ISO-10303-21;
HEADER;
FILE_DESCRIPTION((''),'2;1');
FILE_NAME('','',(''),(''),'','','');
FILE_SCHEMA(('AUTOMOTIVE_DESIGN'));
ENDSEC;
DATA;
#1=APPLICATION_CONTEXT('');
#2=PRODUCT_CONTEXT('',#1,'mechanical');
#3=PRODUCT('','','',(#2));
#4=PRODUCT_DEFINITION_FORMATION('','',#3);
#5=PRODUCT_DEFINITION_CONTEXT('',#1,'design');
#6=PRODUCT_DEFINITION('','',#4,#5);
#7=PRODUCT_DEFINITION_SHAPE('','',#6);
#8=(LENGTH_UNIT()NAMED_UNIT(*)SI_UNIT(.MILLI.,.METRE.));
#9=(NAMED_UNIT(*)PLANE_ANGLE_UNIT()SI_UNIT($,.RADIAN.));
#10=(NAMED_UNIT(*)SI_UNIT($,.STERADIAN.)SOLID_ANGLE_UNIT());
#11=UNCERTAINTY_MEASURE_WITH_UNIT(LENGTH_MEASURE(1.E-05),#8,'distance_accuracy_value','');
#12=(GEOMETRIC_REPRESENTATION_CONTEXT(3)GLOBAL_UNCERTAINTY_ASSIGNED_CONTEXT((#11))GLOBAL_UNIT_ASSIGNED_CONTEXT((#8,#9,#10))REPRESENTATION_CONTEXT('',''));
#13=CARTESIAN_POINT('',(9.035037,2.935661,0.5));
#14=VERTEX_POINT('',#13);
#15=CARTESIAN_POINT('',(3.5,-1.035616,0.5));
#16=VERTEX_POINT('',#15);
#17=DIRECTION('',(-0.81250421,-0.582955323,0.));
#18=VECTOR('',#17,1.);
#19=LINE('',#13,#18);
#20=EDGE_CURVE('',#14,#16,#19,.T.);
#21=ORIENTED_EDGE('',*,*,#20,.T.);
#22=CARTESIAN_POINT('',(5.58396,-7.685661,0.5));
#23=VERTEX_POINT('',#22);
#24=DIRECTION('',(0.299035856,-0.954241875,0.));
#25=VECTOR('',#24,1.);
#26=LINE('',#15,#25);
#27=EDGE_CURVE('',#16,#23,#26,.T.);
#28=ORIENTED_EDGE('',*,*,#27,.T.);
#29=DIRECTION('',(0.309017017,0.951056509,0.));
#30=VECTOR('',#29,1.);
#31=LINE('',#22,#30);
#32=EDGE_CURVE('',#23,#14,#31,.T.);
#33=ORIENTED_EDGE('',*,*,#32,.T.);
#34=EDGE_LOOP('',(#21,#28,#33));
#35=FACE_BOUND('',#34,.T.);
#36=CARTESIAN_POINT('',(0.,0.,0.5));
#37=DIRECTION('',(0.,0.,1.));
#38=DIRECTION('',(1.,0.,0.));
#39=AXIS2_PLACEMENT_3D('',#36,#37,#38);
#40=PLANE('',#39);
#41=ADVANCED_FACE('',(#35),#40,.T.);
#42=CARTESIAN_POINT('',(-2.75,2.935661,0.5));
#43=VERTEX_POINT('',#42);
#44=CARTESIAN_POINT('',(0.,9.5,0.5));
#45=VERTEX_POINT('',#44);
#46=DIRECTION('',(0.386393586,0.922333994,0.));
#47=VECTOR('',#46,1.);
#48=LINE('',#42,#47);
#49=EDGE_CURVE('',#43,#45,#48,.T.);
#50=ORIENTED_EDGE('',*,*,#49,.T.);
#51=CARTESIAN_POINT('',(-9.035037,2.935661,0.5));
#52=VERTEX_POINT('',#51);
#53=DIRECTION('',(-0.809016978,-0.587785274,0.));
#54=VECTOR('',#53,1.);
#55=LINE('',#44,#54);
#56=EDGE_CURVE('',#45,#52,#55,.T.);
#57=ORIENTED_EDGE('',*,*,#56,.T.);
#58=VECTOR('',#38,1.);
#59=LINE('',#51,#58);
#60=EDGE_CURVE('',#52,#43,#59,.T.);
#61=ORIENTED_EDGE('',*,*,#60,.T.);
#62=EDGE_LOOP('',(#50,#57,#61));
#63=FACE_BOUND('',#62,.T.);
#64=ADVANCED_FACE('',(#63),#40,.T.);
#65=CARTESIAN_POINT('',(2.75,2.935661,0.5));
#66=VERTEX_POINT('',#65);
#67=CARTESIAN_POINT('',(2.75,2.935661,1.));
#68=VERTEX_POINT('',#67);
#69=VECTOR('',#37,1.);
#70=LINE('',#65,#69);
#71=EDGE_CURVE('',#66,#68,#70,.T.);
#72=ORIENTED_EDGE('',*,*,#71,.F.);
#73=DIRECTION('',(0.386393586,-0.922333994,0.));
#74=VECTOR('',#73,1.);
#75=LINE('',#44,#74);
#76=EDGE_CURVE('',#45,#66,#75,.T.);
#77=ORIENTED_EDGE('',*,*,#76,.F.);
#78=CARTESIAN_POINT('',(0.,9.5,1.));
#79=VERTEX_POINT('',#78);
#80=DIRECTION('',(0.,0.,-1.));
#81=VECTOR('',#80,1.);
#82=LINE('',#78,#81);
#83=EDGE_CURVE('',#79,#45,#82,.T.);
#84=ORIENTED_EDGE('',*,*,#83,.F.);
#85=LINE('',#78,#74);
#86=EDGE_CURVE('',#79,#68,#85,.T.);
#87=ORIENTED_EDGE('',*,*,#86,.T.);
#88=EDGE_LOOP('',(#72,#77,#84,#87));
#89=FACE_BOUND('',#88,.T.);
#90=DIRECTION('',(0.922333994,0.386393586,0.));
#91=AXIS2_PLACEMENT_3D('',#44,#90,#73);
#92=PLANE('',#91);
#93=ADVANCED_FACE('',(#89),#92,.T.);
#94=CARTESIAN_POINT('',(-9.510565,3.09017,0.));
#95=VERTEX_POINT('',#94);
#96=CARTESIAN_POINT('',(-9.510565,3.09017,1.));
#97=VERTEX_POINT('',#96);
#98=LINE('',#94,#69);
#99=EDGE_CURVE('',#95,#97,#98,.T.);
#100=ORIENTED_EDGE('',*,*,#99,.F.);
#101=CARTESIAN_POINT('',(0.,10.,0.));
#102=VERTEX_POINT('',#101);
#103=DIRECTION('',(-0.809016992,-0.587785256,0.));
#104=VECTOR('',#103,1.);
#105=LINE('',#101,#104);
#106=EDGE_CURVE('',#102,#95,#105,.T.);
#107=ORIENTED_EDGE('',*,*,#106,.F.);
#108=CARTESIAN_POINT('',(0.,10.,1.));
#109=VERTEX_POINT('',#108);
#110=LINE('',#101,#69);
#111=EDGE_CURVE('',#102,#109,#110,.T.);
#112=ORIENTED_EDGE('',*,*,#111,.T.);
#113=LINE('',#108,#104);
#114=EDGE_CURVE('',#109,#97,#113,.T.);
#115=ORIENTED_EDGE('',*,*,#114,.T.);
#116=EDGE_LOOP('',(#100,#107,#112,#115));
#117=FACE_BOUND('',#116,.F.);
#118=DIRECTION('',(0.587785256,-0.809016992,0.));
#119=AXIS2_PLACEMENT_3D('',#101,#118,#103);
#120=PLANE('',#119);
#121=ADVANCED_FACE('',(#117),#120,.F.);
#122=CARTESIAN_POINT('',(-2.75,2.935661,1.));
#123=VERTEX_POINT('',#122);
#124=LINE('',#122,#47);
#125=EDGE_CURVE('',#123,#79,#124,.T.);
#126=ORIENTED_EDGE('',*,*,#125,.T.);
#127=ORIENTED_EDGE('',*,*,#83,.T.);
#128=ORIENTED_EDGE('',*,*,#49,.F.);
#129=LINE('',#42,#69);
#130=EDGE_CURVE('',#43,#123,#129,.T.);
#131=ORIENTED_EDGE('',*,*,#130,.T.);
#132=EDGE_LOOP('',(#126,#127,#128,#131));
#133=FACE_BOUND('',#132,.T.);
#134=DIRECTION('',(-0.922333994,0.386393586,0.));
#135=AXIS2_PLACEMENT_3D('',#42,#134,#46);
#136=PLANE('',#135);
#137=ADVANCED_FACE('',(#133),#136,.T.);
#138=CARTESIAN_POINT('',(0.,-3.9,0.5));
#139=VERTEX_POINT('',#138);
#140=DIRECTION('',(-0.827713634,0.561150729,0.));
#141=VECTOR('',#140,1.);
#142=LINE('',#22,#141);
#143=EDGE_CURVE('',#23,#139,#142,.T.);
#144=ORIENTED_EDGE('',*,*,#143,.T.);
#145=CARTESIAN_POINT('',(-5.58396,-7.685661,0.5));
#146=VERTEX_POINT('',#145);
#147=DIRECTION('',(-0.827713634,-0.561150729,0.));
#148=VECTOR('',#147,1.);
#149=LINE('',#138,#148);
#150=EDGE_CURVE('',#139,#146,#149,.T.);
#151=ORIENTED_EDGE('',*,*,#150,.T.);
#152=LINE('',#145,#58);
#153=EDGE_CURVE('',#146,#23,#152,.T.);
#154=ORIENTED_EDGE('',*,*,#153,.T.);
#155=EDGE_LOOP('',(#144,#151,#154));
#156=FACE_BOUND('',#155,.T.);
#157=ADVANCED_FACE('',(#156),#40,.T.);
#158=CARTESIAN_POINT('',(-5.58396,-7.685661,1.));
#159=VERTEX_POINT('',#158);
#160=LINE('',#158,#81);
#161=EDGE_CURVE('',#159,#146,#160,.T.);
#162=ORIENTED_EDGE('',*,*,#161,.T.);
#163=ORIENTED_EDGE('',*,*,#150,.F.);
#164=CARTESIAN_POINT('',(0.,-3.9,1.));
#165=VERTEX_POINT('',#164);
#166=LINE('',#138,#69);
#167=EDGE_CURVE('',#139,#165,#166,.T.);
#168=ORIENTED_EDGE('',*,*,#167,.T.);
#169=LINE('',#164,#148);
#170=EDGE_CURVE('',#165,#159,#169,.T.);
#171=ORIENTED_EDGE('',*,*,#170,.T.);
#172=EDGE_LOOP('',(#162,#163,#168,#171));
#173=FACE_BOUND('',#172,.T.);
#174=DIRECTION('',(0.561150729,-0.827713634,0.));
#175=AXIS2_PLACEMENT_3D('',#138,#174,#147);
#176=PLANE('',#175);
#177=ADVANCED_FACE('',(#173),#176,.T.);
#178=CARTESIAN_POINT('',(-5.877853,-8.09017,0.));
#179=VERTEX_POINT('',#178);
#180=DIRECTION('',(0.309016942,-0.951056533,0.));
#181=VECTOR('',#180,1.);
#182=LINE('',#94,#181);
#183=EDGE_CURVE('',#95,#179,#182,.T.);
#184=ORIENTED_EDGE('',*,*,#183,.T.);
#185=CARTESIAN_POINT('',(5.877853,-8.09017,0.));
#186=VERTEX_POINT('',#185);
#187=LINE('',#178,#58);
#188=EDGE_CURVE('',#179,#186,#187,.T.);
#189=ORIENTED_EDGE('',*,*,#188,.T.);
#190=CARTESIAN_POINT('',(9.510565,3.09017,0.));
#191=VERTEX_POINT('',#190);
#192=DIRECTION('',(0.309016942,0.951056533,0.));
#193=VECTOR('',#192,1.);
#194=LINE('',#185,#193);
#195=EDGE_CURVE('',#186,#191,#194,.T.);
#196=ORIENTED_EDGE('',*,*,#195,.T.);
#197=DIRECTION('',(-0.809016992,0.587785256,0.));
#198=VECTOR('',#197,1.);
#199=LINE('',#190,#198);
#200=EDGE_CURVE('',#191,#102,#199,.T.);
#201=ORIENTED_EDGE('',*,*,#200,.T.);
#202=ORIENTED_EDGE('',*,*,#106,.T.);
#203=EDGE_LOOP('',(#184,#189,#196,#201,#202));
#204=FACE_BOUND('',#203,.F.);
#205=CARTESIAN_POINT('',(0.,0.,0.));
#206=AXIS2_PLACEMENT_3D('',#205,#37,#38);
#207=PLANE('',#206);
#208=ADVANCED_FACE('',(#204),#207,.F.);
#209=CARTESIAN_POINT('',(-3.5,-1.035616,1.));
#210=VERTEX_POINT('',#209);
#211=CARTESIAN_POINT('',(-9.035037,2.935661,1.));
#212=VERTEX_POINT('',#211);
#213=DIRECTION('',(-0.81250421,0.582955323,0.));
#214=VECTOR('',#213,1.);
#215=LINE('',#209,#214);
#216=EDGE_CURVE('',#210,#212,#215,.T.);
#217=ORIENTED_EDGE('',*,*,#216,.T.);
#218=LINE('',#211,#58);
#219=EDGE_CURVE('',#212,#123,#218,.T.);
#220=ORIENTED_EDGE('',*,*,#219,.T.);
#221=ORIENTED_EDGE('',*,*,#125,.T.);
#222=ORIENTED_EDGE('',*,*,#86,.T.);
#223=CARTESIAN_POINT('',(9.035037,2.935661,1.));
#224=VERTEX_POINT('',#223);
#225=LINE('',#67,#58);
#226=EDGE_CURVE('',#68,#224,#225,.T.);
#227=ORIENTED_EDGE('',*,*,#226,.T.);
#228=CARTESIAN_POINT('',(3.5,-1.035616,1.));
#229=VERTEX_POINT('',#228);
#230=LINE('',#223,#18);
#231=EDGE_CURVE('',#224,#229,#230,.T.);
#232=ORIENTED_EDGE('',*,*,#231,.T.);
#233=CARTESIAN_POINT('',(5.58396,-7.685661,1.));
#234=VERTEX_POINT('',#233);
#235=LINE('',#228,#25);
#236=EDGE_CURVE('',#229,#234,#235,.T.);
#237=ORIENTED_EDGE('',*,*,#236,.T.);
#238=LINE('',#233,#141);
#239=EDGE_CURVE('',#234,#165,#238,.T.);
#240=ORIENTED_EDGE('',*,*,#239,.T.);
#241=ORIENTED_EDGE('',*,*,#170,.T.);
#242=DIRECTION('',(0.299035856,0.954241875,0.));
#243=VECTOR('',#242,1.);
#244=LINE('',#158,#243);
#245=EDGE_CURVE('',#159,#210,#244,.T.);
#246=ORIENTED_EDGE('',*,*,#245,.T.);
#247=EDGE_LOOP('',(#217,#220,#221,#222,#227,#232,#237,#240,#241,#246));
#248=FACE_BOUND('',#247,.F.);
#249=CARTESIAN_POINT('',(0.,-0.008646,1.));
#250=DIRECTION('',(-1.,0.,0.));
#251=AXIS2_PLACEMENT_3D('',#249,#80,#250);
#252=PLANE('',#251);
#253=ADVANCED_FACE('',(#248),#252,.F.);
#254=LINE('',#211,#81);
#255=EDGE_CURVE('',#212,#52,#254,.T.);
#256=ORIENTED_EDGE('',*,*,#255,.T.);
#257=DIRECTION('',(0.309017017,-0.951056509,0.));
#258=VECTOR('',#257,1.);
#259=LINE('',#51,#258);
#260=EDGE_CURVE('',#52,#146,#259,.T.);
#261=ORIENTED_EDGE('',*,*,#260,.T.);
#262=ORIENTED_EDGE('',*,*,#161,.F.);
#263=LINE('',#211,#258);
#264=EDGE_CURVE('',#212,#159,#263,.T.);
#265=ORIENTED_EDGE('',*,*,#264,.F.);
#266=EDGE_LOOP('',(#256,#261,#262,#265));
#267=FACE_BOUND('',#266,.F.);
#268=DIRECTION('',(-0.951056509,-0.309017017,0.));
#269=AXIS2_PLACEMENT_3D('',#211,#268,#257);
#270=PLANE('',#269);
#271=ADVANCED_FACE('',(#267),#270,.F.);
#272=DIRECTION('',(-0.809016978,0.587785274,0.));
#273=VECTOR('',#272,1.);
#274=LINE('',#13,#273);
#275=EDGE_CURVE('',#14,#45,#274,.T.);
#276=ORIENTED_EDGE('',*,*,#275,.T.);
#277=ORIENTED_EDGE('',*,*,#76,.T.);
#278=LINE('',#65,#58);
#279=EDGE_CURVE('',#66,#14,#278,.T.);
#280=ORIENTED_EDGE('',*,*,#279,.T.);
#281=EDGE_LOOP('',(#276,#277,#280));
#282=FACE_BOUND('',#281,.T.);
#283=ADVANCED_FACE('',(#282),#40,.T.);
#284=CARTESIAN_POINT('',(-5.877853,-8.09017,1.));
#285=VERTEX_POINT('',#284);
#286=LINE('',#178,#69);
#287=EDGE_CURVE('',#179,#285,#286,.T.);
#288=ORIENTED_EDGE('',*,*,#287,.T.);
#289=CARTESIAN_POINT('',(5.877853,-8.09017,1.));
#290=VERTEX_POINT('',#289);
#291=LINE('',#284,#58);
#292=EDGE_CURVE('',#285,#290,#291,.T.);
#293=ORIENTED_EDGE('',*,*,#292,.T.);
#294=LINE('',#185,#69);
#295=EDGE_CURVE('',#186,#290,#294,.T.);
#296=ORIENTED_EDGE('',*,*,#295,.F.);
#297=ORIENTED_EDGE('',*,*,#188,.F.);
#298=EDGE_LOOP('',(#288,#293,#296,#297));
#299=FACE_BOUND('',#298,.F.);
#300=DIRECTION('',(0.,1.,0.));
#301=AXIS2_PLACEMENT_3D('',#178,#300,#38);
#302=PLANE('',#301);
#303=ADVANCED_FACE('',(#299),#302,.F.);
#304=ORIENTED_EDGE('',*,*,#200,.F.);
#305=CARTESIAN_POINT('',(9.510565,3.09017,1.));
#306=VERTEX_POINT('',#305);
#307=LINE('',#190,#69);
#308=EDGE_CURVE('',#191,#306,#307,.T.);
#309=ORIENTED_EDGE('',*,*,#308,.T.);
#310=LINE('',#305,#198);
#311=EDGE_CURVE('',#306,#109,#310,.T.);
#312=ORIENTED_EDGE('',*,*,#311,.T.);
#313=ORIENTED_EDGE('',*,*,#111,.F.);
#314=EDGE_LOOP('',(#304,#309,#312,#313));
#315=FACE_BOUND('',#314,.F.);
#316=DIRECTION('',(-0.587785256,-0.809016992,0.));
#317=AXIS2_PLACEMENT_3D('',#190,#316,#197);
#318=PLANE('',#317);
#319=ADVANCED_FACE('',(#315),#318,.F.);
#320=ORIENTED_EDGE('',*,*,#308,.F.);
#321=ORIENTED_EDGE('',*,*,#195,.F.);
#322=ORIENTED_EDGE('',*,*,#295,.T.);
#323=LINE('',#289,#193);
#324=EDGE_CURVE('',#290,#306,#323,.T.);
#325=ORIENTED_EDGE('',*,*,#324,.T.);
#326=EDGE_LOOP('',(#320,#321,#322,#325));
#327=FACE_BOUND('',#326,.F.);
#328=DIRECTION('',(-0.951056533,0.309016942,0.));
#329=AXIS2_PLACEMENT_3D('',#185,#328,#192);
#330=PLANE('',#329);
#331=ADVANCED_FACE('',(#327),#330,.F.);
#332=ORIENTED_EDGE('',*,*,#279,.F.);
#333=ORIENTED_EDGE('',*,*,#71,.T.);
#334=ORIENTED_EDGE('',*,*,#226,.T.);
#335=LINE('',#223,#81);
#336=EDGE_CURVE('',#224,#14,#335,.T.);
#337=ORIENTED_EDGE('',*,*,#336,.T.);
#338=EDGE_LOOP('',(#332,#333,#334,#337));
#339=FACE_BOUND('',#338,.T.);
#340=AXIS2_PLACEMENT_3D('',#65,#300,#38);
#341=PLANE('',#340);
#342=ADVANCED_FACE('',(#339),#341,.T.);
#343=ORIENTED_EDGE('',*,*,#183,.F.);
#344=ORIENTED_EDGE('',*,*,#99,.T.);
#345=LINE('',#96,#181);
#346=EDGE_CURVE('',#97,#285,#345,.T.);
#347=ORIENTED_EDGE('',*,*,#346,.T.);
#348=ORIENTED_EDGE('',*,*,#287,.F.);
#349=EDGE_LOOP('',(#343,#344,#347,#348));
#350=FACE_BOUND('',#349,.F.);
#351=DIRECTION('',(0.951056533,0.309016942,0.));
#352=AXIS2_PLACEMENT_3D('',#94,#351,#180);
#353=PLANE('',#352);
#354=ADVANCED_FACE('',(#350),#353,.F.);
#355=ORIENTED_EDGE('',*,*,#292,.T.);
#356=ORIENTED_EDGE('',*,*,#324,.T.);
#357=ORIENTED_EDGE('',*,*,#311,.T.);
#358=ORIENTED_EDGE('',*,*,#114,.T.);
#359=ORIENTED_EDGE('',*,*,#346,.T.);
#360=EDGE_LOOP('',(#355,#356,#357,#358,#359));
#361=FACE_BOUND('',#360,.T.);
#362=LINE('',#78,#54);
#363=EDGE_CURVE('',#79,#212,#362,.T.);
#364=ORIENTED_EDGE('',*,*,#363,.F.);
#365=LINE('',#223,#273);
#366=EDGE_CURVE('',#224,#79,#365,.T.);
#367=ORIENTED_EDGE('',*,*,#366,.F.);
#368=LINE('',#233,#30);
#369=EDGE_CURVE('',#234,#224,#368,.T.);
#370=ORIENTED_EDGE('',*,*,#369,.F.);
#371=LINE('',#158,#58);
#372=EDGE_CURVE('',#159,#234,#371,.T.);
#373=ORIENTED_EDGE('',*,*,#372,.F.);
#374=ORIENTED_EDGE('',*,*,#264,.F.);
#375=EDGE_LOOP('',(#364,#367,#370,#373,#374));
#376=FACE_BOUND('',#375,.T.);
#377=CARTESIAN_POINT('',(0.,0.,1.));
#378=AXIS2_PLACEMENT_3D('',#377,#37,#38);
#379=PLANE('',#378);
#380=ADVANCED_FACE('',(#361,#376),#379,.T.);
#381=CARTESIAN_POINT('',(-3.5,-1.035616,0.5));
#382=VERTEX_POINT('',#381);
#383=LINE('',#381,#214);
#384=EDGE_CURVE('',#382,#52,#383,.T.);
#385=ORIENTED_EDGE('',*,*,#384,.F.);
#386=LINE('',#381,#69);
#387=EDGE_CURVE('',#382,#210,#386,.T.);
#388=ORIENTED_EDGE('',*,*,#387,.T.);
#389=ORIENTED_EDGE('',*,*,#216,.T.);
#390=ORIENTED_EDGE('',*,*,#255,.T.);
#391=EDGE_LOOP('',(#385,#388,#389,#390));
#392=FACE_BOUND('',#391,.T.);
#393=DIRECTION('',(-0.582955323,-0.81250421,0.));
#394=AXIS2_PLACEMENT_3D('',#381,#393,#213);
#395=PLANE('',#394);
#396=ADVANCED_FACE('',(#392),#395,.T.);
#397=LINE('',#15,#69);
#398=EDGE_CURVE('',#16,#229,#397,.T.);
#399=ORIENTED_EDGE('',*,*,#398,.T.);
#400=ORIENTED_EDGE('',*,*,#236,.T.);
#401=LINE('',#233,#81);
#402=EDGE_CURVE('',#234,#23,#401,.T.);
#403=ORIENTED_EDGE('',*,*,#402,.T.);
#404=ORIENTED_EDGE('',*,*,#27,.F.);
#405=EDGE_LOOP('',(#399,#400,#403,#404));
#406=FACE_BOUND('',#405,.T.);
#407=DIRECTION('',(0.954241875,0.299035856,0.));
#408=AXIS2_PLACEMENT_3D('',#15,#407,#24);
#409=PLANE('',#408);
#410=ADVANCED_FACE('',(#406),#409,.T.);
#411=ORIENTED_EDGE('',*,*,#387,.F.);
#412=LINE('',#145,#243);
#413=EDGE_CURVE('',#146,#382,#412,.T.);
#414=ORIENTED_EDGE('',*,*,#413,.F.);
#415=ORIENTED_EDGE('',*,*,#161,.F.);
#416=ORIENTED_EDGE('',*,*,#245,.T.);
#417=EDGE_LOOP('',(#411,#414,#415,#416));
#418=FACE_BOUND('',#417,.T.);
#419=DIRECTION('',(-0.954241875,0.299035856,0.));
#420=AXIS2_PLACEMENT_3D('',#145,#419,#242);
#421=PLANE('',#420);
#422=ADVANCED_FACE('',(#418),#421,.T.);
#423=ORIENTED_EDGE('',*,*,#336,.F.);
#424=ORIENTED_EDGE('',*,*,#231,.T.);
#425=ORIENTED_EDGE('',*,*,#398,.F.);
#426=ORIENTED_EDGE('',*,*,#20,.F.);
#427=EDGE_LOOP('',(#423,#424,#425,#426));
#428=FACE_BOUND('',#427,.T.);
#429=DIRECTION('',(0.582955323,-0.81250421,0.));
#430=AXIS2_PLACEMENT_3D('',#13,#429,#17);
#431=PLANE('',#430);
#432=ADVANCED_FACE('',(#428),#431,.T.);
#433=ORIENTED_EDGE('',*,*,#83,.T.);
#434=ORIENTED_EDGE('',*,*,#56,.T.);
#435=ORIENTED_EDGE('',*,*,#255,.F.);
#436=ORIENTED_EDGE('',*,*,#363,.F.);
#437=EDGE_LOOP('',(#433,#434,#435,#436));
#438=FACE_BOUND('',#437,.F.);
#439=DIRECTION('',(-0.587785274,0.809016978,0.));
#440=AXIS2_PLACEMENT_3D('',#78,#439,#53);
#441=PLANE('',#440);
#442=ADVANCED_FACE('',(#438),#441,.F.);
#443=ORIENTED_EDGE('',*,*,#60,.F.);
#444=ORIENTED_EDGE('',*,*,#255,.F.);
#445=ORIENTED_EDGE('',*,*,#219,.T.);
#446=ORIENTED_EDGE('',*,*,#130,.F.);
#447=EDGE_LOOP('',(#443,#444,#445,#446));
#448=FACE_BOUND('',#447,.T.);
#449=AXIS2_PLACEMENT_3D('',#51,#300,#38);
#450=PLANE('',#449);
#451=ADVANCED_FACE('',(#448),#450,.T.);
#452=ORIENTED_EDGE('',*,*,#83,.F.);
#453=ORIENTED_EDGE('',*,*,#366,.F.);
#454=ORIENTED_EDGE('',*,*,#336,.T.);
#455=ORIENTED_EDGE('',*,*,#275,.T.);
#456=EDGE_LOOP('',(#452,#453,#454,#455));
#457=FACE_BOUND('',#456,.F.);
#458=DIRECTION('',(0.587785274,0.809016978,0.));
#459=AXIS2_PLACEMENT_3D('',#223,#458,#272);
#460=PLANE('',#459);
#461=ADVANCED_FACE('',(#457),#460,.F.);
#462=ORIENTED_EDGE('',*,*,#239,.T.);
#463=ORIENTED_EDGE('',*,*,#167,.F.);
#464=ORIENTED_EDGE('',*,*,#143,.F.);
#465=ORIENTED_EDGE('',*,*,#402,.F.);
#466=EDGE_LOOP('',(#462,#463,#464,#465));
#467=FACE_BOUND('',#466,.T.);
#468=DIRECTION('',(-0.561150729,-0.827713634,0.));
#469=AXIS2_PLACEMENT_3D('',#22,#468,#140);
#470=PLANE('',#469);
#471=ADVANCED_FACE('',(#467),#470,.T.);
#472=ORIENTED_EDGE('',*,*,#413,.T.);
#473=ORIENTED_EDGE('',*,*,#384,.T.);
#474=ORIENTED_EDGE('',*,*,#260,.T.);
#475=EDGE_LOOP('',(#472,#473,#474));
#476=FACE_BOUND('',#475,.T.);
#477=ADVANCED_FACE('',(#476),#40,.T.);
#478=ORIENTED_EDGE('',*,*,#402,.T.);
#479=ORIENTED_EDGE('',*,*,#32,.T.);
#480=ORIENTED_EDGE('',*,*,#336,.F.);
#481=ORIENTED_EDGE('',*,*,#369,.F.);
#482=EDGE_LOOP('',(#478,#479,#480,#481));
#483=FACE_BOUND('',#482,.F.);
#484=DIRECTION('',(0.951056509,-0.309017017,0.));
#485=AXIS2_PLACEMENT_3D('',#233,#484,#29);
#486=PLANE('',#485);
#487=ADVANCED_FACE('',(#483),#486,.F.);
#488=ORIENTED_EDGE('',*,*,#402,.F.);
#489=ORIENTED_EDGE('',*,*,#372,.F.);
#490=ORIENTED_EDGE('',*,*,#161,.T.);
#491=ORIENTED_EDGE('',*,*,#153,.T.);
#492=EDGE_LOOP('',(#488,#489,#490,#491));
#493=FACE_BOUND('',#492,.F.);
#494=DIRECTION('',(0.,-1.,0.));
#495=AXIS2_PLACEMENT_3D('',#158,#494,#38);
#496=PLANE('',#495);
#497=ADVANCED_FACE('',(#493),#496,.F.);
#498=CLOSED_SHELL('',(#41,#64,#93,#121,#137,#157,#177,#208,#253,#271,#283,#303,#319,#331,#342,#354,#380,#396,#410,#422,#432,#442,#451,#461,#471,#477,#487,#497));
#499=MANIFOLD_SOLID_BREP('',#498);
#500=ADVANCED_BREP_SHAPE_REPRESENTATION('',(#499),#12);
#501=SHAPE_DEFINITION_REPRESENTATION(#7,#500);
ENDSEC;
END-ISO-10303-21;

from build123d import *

# Parameters (mm, degrees)
PAD_DEPTH    = 1
POCKET_DEPTH = 0.5
PAD001_DEPTH = 0.5


with BuildPart() as part:
    # Sketch → Pad (new body)
    with BuildSketch(Plane.XY):
        Polygon((0, 10), (-9.510565, 3.09017), (-5.877853, -8.09017), (5.877853, -8.09017), (9.510565, 3.09017), align=None)
    extrude(amount=PAD_DEPTH)

    # Sketch001 (on Face7 of Pad) → Pocket (cut)
    with BuildSketch(Plane.XY.offset(1)):
        Polygon((0, 9.5), (-9.035037, 2.935661), (-5.58396, -7.685661), (5.58396, -7.685661), (9.035037, 2.935661), align=None)
    extrude(amount=-POCKET_DEPTH, mode=Mode.SUBTRACT)

    # Sketch002 (on Face13 of Pocket) → Pad001 (join)
    with BuildSketch(Plane.XY.offset(0.5)):
        Polygon((-9.035037, 2.935661), (-2.75, 2.935661), (0, 9.5), (2.75, 2.935661), (9.035037, 2.935661), (3.5, -1.035616), (5.58396, -7.685661), (0, -3.9), (-5.58396, -7.685661), (-3.5, -1.035616), align=None)
    extrude(amount=PAD001_DEPTH)


solid = part.part
